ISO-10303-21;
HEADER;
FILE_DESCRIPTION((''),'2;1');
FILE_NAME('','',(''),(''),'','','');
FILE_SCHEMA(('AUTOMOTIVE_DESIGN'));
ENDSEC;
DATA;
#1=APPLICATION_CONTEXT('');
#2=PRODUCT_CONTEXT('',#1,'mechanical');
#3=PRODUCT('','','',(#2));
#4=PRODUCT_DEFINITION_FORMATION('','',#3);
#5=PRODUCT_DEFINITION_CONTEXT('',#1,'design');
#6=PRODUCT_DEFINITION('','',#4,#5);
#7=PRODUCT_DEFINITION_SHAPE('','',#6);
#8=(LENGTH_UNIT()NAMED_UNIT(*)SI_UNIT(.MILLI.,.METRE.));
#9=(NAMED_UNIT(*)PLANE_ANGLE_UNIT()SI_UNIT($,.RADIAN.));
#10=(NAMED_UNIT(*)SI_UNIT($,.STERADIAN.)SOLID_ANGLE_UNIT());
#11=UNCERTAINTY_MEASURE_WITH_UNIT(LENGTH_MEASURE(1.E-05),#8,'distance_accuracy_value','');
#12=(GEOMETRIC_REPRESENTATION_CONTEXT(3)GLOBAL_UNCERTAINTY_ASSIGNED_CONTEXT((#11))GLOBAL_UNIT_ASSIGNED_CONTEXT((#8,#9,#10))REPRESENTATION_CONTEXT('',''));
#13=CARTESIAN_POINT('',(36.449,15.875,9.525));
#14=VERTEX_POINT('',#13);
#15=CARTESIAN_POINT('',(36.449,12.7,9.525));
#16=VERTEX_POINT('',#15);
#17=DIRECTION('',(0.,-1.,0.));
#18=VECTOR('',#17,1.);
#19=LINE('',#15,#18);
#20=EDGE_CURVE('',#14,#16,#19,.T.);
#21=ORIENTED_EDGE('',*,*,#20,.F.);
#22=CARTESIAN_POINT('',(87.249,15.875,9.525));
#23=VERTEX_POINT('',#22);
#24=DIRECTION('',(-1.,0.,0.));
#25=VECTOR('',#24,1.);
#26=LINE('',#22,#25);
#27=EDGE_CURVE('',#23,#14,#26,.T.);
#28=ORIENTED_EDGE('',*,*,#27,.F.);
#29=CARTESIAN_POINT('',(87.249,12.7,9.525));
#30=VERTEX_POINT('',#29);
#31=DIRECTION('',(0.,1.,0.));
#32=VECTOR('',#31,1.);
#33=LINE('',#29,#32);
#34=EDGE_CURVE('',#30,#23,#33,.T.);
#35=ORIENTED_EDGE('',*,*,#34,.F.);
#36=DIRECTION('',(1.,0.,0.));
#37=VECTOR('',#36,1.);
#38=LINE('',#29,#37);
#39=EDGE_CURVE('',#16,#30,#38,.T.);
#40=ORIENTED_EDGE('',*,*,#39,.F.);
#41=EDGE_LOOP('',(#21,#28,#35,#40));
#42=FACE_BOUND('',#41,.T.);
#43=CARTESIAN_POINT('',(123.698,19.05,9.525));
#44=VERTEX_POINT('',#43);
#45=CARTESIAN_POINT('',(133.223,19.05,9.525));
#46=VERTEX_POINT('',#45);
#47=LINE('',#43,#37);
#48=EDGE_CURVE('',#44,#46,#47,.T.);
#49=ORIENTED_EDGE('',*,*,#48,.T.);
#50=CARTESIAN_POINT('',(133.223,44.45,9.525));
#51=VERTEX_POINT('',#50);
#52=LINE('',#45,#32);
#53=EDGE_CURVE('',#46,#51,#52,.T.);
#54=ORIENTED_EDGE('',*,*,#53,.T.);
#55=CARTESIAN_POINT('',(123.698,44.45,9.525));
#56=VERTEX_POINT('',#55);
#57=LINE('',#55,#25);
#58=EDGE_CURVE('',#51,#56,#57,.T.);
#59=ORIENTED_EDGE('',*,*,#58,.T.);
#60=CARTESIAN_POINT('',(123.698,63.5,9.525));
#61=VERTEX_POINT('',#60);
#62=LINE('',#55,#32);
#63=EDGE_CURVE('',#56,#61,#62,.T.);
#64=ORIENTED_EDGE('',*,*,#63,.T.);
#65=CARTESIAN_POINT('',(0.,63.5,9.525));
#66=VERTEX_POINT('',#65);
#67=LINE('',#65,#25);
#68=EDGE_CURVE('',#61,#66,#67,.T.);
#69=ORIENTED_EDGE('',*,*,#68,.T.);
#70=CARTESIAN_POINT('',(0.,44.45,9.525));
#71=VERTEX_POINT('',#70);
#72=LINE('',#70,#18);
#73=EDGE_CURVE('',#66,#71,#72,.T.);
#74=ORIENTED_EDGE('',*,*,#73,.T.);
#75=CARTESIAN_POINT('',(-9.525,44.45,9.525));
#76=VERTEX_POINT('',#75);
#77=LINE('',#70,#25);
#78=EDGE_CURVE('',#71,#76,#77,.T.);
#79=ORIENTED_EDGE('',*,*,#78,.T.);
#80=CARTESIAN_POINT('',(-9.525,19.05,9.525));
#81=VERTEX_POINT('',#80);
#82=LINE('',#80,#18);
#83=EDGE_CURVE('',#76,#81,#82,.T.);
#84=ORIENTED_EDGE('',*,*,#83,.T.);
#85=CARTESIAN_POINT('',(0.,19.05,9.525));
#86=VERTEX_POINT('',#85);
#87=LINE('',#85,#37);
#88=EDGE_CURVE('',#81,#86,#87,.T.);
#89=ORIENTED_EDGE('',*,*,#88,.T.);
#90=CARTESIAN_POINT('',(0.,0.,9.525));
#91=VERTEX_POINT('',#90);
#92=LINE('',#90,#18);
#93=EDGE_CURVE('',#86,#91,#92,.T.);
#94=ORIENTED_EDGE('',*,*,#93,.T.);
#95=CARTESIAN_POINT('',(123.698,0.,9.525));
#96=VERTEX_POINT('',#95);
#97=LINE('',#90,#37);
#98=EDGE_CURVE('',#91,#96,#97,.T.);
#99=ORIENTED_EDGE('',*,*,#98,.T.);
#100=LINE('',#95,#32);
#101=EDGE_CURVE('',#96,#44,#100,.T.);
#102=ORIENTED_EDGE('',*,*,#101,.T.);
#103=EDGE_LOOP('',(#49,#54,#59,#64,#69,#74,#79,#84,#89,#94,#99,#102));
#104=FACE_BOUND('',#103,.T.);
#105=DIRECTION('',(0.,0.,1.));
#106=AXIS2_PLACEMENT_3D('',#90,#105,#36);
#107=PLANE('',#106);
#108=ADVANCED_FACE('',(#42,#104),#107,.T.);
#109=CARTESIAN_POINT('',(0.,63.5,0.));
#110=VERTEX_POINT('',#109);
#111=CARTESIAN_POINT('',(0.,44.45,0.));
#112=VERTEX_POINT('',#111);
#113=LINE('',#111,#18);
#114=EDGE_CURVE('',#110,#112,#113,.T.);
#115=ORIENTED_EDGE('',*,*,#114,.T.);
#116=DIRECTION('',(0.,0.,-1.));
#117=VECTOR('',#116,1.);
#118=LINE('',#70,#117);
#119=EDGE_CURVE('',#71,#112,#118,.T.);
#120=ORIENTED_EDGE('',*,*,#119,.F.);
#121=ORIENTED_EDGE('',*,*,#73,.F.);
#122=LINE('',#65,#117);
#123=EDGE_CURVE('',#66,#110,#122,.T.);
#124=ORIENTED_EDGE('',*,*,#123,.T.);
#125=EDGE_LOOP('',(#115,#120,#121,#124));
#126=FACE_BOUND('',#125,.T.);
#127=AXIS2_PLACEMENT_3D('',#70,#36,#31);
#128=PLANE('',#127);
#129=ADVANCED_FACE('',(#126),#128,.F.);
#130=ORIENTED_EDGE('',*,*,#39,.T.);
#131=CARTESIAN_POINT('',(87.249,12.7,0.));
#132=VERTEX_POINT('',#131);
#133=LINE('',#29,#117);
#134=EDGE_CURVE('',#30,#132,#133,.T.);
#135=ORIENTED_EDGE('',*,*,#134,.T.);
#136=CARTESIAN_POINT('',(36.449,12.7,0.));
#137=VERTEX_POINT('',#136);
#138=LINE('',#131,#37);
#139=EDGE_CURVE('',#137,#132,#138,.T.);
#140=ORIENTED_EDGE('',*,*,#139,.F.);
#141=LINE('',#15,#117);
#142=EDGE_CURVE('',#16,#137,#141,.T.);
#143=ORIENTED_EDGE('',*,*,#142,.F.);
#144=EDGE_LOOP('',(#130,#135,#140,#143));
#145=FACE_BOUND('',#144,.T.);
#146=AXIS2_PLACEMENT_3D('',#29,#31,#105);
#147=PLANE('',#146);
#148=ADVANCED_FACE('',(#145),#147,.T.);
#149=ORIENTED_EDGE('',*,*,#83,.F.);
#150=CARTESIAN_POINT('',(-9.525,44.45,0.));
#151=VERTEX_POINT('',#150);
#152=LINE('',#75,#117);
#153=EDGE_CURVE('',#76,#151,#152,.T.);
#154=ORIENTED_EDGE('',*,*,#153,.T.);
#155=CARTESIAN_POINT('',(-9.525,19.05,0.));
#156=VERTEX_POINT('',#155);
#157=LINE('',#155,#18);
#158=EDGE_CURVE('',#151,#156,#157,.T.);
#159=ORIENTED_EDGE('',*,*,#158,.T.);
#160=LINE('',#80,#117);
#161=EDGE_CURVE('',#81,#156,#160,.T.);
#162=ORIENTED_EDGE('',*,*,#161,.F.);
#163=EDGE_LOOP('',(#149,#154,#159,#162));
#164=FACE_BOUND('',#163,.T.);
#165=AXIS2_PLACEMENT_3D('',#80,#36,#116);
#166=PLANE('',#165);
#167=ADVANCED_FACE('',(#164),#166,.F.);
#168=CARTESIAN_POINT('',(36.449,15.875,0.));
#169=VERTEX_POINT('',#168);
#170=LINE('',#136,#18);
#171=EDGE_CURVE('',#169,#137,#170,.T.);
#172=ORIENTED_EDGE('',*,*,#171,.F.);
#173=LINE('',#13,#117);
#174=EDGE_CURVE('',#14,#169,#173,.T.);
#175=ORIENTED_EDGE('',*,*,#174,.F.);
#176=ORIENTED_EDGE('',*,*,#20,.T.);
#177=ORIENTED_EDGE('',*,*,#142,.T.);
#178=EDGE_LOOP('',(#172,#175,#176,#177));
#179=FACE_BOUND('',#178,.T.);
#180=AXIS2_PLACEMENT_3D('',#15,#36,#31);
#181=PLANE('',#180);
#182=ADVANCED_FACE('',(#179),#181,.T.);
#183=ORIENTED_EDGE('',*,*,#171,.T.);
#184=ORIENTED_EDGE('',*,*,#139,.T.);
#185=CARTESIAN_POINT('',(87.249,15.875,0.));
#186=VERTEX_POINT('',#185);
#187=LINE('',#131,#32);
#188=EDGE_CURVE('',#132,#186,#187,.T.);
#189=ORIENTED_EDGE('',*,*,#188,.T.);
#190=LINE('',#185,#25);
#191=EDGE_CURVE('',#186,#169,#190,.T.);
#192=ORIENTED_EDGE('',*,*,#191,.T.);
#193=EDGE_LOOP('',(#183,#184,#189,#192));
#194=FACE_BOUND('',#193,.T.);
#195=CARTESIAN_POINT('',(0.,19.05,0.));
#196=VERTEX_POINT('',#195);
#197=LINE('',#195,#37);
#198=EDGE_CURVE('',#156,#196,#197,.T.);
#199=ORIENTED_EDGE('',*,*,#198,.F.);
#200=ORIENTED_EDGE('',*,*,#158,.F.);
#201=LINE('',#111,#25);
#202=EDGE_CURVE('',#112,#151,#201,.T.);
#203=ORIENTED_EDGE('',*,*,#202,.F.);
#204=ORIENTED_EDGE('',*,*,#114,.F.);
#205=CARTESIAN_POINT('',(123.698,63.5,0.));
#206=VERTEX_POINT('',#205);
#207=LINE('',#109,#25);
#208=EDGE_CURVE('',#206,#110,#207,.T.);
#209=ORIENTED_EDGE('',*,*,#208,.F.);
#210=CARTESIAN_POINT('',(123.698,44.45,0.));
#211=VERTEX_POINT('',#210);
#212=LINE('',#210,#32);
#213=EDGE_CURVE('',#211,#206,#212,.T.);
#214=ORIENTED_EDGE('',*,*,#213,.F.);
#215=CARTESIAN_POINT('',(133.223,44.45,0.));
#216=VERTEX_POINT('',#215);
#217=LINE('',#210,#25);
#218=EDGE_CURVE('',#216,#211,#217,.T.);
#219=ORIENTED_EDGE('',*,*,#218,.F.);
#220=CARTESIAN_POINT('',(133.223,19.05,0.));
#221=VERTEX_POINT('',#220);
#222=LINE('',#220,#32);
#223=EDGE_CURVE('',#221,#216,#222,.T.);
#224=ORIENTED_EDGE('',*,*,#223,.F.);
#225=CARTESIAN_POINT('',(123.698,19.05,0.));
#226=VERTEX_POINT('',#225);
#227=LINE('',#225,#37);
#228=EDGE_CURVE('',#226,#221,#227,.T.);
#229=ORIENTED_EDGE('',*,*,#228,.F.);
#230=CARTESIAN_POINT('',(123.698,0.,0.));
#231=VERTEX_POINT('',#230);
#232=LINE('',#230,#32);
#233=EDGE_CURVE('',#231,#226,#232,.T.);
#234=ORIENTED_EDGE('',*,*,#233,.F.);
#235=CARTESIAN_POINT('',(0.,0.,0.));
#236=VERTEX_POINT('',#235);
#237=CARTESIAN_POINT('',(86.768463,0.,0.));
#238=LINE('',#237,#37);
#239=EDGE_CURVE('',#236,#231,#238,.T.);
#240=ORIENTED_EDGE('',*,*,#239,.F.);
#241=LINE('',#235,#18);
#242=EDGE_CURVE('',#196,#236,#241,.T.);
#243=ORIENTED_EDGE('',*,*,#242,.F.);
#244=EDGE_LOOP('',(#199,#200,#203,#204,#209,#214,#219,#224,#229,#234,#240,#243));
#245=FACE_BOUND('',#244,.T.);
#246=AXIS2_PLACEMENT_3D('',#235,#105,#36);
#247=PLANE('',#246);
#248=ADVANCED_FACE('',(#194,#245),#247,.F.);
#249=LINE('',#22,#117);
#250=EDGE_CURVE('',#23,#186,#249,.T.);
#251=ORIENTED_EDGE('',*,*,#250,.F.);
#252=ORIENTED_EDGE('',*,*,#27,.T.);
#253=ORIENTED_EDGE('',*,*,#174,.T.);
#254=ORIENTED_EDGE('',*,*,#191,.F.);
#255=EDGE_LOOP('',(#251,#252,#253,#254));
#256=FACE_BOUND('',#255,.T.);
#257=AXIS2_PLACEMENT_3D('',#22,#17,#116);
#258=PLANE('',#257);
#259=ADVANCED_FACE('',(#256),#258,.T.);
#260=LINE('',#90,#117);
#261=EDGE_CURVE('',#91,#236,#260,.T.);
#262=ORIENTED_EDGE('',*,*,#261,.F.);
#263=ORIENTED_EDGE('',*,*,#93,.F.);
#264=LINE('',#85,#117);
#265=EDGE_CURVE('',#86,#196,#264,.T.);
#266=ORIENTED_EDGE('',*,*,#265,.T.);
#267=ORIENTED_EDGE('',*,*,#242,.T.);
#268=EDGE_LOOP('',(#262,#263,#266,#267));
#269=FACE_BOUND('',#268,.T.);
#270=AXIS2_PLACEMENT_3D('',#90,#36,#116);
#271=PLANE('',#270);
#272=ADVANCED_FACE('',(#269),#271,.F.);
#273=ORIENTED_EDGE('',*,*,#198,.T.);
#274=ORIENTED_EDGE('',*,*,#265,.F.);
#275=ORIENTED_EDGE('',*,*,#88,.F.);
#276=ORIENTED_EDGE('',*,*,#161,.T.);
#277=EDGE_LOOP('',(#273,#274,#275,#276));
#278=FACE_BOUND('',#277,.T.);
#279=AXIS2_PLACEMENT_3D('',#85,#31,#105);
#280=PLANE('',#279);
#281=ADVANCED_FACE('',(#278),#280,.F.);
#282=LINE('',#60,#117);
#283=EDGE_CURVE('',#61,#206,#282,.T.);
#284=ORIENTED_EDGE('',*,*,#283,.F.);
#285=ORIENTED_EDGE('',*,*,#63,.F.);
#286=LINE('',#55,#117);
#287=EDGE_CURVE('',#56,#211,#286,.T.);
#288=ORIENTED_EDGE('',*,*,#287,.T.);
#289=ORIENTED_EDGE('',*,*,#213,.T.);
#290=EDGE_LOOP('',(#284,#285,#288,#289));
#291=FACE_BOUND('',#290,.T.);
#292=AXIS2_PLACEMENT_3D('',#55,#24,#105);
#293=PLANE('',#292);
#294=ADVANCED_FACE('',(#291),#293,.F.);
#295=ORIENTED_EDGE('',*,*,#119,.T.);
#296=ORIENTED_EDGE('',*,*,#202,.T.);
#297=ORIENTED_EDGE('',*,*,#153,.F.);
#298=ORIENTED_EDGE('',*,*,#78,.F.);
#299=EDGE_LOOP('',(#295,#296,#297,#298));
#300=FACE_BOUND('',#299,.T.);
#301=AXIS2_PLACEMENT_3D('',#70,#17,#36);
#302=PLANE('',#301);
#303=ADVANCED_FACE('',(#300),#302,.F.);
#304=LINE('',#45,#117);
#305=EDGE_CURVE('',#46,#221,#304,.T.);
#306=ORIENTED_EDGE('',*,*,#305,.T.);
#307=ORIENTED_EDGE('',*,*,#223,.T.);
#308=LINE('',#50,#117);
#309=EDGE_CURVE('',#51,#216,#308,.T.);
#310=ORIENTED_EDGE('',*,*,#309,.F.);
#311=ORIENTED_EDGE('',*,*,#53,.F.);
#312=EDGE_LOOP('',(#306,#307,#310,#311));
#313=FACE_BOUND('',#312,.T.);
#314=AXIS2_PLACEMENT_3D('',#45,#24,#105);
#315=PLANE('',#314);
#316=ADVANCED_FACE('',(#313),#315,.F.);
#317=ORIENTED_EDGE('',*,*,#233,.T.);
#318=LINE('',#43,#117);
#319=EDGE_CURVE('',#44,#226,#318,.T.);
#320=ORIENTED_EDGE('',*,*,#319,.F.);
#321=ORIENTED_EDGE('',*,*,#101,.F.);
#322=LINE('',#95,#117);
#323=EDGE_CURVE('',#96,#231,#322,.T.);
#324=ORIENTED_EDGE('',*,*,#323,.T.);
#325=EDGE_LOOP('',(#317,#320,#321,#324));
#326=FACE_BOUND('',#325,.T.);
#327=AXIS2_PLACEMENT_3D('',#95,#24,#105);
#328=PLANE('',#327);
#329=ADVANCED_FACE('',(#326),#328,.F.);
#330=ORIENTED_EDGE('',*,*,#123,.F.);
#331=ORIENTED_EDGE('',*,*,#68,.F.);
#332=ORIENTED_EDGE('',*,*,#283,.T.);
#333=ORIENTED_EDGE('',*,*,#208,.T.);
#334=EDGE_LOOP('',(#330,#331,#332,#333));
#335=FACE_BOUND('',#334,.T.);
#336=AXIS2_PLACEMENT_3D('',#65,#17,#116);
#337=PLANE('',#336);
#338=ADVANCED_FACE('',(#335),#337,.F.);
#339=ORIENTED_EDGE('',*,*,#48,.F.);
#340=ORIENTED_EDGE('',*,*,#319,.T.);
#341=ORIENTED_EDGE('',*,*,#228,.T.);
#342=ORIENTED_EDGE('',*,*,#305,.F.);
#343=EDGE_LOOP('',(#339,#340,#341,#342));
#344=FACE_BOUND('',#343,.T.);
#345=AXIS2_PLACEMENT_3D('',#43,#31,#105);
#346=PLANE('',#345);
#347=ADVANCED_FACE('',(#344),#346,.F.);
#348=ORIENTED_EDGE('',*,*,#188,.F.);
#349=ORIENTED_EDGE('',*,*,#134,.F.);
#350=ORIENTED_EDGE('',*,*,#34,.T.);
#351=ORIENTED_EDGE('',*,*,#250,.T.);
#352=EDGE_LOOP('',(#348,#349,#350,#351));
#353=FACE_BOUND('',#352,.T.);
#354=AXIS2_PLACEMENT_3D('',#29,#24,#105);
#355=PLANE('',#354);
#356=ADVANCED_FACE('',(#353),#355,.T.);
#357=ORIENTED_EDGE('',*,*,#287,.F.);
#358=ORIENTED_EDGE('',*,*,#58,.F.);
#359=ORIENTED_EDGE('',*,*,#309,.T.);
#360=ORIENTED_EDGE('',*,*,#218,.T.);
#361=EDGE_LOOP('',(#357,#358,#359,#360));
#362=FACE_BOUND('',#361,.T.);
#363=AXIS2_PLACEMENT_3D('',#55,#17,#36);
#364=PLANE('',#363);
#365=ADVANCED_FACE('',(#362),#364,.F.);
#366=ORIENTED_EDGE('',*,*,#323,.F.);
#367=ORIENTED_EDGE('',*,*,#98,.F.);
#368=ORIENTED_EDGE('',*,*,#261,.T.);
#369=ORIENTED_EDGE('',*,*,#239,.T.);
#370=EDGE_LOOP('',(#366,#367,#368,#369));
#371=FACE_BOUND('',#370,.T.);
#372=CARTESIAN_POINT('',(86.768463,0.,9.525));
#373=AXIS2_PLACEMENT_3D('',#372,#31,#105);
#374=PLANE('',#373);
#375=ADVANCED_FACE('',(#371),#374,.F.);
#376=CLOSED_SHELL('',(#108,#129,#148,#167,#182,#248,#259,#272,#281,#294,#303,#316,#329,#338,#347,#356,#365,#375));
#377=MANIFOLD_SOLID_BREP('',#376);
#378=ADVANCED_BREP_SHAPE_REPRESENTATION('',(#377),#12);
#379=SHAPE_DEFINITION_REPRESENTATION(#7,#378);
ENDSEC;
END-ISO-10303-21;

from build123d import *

# Parameters (mm, degrees)
SKETCH1_W           = 50.8
SKETCH1_H           = 3.175
BOSS_EXTRUDE1_DEPTH = 9.525


with BuildPart() as part:
    # Sketch1 → Boss-Extrude1 (new body)
    with BuildSketch(Plane.XY):
        Polygon((0, 44.45), (0, 63.5), (123.698, 63.5), (123.698, 44.45), (133.223, 44.45), (133.223, 19.05), (123.698, 19.05), (123.698, 0), (86.768463183, 0), (35.968463183, 0), (0, 0), (0, 19.05), (-9.525, 19.05), (-9.525, 44.45), align=None)
        with Locations((61.849, 14.2875)):
            Rectangle(SKETCH1_W, SKETCH1_H, mode=Mode.SUBTRACT)
    extrude(amount=BOSS_EXTRUDE1_DEPTH)


solid = part.part
